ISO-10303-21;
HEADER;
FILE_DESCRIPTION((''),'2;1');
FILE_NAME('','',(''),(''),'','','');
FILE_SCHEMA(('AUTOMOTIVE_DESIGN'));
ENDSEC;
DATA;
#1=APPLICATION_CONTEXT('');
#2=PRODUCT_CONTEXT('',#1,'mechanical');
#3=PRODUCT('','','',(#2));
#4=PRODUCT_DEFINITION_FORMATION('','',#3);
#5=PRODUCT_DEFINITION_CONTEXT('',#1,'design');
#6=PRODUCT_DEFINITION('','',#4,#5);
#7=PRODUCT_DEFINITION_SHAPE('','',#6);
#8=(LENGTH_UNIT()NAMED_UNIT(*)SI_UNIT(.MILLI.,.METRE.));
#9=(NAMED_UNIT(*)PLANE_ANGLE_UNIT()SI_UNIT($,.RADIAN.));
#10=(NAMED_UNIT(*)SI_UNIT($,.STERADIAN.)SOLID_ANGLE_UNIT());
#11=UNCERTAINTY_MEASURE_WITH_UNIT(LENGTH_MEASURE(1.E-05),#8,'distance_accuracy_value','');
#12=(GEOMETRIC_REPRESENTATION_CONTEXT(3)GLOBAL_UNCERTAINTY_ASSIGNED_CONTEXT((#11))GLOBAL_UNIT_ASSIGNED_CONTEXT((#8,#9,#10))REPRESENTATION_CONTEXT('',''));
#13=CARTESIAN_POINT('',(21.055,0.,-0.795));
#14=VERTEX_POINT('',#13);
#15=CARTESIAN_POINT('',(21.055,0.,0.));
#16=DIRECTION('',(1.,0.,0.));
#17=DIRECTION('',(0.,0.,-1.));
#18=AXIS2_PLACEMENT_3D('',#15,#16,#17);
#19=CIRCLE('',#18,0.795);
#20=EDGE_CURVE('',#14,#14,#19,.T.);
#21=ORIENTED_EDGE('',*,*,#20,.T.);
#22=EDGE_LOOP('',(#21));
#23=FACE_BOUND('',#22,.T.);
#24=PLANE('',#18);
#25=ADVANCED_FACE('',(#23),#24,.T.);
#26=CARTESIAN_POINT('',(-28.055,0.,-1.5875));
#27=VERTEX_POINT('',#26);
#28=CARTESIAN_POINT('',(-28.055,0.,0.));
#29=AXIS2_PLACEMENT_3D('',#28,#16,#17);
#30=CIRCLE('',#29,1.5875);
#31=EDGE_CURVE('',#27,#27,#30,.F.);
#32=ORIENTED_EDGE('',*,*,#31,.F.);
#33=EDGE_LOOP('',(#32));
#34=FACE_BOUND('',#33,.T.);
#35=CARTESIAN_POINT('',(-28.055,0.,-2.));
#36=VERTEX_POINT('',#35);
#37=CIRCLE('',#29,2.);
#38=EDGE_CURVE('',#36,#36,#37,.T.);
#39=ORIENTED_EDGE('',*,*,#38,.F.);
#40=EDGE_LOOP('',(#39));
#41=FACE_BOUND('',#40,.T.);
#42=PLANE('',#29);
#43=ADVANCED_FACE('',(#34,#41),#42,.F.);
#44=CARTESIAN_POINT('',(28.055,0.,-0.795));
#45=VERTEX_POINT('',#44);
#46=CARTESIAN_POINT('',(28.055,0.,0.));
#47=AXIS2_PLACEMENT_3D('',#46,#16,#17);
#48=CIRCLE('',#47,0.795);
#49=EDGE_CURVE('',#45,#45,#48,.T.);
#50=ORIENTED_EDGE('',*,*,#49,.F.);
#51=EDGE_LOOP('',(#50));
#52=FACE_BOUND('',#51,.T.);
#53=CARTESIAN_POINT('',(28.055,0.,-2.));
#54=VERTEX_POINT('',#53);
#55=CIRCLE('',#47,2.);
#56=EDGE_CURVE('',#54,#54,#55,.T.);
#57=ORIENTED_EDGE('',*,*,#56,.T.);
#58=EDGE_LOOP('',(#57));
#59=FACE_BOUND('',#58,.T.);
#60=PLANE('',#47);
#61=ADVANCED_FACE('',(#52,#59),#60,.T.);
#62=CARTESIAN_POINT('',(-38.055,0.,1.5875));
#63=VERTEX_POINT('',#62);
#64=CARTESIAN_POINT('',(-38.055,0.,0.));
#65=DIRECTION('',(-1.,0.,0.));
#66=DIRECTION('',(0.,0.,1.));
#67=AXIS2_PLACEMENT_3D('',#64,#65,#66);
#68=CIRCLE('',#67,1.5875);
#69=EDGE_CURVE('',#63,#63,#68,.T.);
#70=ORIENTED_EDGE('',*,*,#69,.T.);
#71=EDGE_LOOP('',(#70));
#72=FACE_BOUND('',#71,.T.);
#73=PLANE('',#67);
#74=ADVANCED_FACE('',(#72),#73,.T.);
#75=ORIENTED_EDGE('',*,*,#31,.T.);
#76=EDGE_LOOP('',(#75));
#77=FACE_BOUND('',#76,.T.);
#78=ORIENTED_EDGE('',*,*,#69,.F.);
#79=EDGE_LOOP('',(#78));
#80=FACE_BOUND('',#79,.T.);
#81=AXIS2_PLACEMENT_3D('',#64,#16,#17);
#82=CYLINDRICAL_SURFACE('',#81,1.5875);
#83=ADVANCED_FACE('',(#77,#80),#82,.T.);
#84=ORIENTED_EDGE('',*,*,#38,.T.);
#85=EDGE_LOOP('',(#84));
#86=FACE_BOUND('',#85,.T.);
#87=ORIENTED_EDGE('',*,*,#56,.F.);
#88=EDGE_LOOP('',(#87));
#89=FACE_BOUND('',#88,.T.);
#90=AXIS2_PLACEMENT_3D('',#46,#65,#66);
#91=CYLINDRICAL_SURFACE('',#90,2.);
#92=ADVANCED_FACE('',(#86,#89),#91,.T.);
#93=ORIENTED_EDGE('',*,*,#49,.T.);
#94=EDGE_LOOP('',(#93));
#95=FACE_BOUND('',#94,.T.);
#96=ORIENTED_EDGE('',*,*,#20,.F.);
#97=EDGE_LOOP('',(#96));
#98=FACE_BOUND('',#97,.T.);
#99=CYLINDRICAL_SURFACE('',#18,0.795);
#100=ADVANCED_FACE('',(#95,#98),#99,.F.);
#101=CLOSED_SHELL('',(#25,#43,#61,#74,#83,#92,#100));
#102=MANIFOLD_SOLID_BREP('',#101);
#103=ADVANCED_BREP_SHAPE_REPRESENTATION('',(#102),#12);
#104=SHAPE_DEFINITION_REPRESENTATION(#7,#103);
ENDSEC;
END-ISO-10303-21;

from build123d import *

# Parameters (mm, degrees)
SKETCH1_R           = 2
BOSS_EXTRUDE1_DEPTH = 28.055
SKETCH2_R           = 0.795
CUT_EXTRUDE1_DEPTH  = 7
SKETCH3_R           = 1.5875
BOSS_EXTRUDE2_DEPTH = 10


with BuildPart() as part:
    # Sketch1 → Boss-Extrude1 (new, symmetric)
    with BuildSketch(Plane(origin=(0, 0, 0), x_dir=(0, 0, -1), z_dir=(1, 0, 0))):
        Circle(SKETCH1_R)
    extrude(amount=BOSS_EXTRUDE1_DEPTH, both=True)

    # Sketch2 → Cut-Extrude1 (cut)
    with BuildSketch(Plane(origin=(28.055, 0, 0), x_dir=(0, 0, -1), z_dir=(1, 0, 0))):
        Circle(SKETCH2_R)
    extrude(amount=-CUT_EXTRUDE1_DEPTH, mode=Mode.SUBTRACT)

    # Sketch3 → Boss-Extrude2 (add)
    with BuildSketch(Plane.ZY.offset(28.055)):
        with Locations(Location((0, 0, 0), (0, 0, 180))):
            Circle(SKETCH3_R)
    extrude(amount=BOSS_EXTRUDE2_DEPTH)


solid = part.part
